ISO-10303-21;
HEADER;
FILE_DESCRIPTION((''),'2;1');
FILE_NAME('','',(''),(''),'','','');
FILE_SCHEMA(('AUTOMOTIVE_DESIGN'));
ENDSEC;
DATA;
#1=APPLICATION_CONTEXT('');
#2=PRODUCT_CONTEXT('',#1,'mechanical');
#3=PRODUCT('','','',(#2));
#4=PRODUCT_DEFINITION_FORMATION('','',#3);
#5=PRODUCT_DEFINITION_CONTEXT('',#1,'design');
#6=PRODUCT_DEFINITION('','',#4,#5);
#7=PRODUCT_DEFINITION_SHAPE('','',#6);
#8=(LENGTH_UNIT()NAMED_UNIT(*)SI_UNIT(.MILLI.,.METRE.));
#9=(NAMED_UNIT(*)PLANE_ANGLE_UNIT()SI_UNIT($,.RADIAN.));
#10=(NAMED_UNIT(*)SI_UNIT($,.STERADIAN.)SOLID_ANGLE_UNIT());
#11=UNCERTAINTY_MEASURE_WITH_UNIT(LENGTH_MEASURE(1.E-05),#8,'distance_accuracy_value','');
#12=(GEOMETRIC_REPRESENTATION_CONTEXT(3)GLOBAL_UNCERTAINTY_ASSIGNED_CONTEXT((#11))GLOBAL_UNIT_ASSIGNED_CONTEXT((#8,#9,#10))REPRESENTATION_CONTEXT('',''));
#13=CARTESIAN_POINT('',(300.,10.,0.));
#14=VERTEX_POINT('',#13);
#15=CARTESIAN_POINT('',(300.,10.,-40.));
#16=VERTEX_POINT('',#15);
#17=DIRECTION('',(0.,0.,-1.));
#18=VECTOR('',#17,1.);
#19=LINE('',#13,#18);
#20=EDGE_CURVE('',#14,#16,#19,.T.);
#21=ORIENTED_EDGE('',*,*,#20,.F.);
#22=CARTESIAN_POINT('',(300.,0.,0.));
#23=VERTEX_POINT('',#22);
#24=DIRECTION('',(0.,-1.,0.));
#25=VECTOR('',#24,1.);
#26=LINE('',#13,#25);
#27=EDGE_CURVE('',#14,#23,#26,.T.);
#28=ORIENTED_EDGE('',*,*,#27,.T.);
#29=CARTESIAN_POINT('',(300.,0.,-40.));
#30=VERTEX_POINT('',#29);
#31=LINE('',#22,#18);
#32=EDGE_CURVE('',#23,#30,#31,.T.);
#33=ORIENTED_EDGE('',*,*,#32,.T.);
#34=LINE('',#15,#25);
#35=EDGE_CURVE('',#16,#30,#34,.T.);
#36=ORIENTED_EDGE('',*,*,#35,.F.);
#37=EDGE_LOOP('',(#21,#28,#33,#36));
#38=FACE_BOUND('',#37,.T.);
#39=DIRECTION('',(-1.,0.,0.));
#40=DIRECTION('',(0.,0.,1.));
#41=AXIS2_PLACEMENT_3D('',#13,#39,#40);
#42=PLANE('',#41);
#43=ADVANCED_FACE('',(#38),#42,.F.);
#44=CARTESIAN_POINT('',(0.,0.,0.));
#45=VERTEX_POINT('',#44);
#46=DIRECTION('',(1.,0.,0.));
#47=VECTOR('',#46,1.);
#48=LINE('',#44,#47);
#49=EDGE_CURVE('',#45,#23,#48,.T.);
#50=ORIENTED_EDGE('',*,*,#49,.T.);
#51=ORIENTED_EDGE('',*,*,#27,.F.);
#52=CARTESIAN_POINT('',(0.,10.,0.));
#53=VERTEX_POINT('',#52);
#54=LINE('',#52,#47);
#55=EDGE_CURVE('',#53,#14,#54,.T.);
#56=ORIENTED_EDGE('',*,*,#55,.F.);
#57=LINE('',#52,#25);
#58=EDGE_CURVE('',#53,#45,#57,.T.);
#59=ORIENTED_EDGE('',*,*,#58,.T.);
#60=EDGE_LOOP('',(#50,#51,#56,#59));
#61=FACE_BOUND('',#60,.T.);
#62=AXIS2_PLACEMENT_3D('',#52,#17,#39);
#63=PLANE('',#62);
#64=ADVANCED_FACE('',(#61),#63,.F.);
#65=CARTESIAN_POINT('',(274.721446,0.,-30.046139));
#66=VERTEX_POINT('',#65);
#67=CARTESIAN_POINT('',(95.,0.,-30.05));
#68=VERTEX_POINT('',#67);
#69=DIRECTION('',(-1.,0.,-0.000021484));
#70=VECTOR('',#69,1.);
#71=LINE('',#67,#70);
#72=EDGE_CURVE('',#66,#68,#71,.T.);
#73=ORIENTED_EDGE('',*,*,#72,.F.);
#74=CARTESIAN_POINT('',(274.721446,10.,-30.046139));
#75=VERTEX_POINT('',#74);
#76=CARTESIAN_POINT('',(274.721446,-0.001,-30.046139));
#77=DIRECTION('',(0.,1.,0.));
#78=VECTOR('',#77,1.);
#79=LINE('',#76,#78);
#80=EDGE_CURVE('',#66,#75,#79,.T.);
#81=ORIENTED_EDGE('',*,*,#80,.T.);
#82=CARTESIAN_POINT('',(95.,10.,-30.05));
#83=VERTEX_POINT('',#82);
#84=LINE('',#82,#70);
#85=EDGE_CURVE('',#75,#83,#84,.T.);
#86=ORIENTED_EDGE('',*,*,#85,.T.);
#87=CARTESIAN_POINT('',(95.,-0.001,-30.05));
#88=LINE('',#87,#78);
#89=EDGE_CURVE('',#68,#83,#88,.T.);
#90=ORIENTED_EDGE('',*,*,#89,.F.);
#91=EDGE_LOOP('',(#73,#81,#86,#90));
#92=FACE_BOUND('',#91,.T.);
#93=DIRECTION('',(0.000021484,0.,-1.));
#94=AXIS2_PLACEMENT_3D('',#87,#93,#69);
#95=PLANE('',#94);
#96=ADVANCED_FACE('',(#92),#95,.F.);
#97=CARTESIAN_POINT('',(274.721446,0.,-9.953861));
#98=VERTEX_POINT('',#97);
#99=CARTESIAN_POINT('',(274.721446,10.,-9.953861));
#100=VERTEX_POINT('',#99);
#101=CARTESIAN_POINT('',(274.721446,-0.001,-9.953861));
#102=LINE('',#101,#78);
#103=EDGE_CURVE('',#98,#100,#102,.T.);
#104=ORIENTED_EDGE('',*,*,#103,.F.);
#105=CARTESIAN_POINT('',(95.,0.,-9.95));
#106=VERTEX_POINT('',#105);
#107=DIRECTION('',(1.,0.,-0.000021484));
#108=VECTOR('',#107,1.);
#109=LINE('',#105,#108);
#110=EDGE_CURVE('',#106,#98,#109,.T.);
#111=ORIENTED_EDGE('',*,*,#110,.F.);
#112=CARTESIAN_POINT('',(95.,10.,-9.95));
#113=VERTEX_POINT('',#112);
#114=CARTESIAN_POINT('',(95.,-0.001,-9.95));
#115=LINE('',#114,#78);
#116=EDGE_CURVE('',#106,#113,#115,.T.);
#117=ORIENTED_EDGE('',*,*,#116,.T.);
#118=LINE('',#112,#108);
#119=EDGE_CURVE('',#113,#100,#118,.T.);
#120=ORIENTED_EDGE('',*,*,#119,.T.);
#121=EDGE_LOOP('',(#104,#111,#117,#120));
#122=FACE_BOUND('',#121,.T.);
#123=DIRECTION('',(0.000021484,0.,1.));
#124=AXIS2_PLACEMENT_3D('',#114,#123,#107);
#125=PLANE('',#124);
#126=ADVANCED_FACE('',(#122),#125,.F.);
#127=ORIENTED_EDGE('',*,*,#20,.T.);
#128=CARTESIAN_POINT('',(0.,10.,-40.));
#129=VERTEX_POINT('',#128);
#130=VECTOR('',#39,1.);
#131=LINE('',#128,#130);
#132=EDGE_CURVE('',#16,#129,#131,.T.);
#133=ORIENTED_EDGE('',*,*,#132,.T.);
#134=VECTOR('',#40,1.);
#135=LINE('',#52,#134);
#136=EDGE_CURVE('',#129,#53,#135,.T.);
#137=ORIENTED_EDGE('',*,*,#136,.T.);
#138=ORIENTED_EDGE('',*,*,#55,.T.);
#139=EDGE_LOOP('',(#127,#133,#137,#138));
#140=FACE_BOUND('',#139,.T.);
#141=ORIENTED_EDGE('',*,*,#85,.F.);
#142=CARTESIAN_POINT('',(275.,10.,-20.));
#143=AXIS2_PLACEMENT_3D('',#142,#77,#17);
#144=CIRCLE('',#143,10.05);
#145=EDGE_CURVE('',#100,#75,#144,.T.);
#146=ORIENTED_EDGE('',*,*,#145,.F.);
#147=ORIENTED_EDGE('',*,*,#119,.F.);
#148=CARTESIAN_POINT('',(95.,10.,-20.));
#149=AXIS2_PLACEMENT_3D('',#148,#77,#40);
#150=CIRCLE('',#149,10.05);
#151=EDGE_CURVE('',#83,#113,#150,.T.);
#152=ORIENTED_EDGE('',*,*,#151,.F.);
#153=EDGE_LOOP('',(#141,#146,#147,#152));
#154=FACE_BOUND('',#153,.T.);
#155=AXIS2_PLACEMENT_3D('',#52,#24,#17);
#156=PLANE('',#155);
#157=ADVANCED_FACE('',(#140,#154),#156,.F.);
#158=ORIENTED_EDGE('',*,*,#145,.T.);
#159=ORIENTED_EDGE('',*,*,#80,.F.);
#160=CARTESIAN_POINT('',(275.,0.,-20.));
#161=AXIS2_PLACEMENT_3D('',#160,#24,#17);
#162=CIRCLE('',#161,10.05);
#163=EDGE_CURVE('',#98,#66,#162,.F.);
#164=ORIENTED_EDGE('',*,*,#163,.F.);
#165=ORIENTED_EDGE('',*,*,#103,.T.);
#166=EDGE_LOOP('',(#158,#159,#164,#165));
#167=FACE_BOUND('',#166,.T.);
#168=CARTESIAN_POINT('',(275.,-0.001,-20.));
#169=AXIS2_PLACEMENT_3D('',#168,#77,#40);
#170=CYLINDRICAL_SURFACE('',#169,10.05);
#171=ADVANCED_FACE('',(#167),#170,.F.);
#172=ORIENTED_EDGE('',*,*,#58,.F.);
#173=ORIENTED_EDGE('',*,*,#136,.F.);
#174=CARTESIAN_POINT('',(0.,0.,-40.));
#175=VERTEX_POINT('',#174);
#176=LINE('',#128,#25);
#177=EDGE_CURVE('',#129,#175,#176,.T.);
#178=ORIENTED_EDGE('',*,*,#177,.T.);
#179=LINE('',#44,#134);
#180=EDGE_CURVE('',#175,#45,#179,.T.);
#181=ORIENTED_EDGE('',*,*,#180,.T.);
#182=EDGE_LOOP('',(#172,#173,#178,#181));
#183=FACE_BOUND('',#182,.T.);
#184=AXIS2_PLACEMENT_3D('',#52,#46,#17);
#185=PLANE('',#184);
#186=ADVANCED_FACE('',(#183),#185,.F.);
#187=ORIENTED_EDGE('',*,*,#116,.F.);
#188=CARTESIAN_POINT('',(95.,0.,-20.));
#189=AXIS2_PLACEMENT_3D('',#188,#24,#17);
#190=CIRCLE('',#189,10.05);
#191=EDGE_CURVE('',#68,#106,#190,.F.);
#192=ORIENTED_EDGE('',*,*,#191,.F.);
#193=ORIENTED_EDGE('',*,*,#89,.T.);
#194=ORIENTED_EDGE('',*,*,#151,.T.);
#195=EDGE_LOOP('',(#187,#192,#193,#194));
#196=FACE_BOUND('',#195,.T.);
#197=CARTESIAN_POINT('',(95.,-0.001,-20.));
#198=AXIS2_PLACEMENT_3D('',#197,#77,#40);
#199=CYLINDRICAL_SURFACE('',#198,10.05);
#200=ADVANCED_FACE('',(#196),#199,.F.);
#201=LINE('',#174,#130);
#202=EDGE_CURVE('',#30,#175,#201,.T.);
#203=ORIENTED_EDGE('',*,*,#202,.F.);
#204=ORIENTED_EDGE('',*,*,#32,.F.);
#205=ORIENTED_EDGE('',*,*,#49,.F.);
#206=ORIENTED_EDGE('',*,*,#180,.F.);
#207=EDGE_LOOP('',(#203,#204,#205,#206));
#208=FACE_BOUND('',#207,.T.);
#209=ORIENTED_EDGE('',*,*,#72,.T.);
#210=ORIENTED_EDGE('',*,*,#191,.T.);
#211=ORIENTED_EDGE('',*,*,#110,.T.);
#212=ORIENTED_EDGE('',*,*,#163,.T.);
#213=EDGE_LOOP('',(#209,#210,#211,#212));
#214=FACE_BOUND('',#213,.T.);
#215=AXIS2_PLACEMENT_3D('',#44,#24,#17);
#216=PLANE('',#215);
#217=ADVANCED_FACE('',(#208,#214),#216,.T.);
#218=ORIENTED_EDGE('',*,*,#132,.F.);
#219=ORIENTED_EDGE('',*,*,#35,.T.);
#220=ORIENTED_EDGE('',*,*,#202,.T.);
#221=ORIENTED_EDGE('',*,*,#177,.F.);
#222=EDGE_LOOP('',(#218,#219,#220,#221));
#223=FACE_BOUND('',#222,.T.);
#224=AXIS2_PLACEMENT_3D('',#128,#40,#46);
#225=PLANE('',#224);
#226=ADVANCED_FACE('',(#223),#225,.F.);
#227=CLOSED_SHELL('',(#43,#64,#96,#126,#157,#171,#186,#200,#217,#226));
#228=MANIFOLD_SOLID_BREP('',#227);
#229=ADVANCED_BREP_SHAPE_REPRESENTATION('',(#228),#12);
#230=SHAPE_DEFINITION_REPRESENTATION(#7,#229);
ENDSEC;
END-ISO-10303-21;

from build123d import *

# Parameters (mm, degrees)
SKETCH_1_W          = 300
SKETCH_1_H          = 40
EXTRUDE_1_DEPTH     = 10
CUT_EXTRUDE_1_REACH = 12


with BuildPart() as part:
    # Эскиз1 → Бобышка-Вытянуть1 (new body)
    with BuildSketch(Plane(origin=(0, 0, 0), x_dir=(1, 0, 0), z_dir=(0, 1, 0))):
        with Locations((150, 20)):
            Rectangle(SKETCH_1_W, SKETCH_1_H)
    extrude(amount=EXTRUDE_1_DEPTH)

    # Эскиз2 → Вырез-Вытянуть1 (cut, up to next)
    with BuildSketch(Plane(origin=(0, 10, 0), x_dir=(1, 0, 0), z_dir=(0, 1, 0)), mode=Mode.PRIVATE) as cut_extrude_1_sk1:
        with BuildLine():
            Line((95, 9.95), (274.721446052, 9.953861055))
            ThreePointArc((274.721446052, 9.953861055), (285.05, 20), (274.721446052, 30.046138945))
            Line((274.721446052, 30.046138945), (95, 30.05))
            ThreePointArc((95, 30.05), (84.95, 20), (95, 9.95))
        make_face()
    cut_extrude_1_tool1 = extrude(cut_extrude_1_sk1.sketch, amount=-CUT_EXTRUDE_1_REACH, mode=Mode.PRIVATE) & part.part
    add(cut_extrude_1_tool1.solids().sort_by_distance((184.994726, 10, -20))[0], mode=Mode.SUBTRACT)


solid = part.part
